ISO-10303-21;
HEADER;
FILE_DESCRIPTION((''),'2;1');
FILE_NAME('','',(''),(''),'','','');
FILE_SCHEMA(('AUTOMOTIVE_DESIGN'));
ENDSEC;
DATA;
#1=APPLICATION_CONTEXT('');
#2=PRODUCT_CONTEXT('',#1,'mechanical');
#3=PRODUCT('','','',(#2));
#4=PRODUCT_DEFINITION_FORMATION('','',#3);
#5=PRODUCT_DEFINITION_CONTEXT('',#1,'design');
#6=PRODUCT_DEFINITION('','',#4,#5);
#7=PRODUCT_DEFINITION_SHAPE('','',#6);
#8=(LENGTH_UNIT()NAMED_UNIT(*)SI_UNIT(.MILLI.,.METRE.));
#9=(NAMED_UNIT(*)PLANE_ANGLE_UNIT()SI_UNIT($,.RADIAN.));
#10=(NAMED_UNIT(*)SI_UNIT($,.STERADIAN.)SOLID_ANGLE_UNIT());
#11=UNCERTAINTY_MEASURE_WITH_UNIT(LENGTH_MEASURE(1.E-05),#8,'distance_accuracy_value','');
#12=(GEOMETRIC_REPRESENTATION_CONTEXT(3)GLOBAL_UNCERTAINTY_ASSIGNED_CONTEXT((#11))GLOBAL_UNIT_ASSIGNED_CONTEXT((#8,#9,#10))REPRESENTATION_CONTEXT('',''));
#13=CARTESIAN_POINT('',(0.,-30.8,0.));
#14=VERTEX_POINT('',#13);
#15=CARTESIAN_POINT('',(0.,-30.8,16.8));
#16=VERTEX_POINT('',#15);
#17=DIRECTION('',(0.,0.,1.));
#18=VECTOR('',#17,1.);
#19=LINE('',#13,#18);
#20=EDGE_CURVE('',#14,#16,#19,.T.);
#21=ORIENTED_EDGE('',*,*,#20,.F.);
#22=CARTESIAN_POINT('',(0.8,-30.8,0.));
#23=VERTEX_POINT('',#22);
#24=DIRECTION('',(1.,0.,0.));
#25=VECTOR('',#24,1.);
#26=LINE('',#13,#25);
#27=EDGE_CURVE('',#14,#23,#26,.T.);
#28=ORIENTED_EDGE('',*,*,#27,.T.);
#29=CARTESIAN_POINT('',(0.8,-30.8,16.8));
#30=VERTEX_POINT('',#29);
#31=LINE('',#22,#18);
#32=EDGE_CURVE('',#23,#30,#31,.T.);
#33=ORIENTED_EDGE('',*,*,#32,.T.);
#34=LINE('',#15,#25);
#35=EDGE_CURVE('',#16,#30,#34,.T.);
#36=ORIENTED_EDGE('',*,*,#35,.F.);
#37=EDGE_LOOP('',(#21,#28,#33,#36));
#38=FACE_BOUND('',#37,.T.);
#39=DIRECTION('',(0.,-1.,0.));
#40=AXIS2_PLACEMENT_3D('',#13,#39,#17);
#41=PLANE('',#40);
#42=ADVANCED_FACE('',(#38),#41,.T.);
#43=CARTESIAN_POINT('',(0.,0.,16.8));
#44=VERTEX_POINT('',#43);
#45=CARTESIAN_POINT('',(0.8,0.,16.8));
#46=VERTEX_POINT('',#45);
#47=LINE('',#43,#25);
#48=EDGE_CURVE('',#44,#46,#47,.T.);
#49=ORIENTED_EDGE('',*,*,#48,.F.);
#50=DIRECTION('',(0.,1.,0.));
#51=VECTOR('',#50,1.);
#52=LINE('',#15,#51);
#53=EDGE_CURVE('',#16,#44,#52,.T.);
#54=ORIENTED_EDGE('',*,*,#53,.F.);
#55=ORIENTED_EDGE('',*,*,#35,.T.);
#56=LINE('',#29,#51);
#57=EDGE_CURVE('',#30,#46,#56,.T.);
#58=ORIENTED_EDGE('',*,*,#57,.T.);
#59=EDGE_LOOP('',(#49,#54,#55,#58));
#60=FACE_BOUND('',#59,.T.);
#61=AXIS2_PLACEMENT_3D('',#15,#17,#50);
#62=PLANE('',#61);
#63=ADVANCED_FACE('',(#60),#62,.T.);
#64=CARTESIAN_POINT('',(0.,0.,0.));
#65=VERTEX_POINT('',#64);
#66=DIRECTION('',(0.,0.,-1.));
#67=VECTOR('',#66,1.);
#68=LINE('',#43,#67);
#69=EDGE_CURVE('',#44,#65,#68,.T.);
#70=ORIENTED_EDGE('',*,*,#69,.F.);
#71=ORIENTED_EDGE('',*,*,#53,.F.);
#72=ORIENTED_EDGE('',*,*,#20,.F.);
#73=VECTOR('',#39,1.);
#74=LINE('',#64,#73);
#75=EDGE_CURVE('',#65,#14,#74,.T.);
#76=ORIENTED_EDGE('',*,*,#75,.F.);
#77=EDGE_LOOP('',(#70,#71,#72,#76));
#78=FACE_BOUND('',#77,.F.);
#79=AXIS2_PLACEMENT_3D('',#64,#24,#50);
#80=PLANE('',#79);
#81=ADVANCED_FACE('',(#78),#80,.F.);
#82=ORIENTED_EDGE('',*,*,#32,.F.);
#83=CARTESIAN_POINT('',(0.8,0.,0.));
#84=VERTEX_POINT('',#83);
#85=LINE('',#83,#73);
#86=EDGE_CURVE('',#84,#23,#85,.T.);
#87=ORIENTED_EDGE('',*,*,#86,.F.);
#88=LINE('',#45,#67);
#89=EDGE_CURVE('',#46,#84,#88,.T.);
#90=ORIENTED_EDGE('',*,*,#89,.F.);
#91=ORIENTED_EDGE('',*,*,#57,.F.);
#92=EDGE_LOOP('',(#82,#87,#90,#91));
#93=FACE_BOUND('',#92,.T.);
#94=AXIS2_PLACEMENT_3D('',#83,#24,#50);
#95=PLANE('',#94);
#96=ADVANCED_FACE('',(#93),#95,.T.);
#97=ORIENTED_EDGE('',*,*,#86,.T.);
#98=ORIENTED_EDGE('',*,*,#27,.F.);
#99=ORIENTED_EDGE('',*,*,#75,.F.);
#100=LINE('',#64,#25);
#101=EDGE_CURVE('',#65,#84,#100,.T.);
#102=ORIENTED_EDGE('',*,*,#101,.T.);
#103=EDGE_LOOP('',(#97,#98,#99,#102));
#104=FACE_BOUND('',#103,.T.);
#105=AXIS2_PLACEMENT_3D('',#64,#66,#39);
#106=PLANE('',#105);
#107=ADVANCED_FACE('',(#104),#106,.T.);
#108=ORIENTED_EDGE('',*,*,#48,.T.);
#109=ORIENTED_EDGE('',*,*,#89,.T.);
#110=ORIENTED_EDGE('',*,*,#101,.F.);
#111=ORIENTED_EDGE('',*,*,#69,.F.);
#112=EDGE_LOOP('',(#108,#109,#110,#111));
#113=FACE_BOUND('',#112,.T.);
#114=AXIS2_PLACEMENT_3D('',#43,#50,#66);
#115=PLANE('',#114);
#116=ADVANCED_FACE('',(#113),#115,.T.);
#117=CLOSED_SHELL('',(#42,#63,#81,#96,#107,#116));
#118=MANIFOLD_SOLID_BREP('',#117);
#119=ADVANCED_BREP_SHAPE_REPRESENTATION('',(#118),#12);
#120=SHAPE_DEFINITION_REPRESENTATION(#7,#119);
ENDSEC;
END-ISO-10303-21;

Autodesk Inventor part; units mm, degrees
ref_plane "YZ Plane" through (0, 0, 0) normal (1, 0, 0) x (0, 1, 0)
ref_plane "XZ Plane" through (0, 0, 0) normal (0, 1, 0) x (-1, 0, 0)
ref_plane "XY Plane" through (0, 0, 0) normal (0, 0, 1) x (1, 0, 0)
sketch "Sketch1" plane through (0, 0, 0) normal (1, 0, 0) x (0, 1, 0)
  line L0 (0, 0) -> (-30.8, 0)
  line L1 (-30.8, 0) -> (-30.8, 16.8)
  line L2 (-30.8, 16.8) -> (0, 16.8)
  line L3 (0, 16.8) -> (0, 0)
  dimension "d0" = 30.8
  dimension "d1" = 16.8
extrude "Extrusion1" add sketch "Sketch1" along normal blind 0.8
properties part number "interface-pcb"
